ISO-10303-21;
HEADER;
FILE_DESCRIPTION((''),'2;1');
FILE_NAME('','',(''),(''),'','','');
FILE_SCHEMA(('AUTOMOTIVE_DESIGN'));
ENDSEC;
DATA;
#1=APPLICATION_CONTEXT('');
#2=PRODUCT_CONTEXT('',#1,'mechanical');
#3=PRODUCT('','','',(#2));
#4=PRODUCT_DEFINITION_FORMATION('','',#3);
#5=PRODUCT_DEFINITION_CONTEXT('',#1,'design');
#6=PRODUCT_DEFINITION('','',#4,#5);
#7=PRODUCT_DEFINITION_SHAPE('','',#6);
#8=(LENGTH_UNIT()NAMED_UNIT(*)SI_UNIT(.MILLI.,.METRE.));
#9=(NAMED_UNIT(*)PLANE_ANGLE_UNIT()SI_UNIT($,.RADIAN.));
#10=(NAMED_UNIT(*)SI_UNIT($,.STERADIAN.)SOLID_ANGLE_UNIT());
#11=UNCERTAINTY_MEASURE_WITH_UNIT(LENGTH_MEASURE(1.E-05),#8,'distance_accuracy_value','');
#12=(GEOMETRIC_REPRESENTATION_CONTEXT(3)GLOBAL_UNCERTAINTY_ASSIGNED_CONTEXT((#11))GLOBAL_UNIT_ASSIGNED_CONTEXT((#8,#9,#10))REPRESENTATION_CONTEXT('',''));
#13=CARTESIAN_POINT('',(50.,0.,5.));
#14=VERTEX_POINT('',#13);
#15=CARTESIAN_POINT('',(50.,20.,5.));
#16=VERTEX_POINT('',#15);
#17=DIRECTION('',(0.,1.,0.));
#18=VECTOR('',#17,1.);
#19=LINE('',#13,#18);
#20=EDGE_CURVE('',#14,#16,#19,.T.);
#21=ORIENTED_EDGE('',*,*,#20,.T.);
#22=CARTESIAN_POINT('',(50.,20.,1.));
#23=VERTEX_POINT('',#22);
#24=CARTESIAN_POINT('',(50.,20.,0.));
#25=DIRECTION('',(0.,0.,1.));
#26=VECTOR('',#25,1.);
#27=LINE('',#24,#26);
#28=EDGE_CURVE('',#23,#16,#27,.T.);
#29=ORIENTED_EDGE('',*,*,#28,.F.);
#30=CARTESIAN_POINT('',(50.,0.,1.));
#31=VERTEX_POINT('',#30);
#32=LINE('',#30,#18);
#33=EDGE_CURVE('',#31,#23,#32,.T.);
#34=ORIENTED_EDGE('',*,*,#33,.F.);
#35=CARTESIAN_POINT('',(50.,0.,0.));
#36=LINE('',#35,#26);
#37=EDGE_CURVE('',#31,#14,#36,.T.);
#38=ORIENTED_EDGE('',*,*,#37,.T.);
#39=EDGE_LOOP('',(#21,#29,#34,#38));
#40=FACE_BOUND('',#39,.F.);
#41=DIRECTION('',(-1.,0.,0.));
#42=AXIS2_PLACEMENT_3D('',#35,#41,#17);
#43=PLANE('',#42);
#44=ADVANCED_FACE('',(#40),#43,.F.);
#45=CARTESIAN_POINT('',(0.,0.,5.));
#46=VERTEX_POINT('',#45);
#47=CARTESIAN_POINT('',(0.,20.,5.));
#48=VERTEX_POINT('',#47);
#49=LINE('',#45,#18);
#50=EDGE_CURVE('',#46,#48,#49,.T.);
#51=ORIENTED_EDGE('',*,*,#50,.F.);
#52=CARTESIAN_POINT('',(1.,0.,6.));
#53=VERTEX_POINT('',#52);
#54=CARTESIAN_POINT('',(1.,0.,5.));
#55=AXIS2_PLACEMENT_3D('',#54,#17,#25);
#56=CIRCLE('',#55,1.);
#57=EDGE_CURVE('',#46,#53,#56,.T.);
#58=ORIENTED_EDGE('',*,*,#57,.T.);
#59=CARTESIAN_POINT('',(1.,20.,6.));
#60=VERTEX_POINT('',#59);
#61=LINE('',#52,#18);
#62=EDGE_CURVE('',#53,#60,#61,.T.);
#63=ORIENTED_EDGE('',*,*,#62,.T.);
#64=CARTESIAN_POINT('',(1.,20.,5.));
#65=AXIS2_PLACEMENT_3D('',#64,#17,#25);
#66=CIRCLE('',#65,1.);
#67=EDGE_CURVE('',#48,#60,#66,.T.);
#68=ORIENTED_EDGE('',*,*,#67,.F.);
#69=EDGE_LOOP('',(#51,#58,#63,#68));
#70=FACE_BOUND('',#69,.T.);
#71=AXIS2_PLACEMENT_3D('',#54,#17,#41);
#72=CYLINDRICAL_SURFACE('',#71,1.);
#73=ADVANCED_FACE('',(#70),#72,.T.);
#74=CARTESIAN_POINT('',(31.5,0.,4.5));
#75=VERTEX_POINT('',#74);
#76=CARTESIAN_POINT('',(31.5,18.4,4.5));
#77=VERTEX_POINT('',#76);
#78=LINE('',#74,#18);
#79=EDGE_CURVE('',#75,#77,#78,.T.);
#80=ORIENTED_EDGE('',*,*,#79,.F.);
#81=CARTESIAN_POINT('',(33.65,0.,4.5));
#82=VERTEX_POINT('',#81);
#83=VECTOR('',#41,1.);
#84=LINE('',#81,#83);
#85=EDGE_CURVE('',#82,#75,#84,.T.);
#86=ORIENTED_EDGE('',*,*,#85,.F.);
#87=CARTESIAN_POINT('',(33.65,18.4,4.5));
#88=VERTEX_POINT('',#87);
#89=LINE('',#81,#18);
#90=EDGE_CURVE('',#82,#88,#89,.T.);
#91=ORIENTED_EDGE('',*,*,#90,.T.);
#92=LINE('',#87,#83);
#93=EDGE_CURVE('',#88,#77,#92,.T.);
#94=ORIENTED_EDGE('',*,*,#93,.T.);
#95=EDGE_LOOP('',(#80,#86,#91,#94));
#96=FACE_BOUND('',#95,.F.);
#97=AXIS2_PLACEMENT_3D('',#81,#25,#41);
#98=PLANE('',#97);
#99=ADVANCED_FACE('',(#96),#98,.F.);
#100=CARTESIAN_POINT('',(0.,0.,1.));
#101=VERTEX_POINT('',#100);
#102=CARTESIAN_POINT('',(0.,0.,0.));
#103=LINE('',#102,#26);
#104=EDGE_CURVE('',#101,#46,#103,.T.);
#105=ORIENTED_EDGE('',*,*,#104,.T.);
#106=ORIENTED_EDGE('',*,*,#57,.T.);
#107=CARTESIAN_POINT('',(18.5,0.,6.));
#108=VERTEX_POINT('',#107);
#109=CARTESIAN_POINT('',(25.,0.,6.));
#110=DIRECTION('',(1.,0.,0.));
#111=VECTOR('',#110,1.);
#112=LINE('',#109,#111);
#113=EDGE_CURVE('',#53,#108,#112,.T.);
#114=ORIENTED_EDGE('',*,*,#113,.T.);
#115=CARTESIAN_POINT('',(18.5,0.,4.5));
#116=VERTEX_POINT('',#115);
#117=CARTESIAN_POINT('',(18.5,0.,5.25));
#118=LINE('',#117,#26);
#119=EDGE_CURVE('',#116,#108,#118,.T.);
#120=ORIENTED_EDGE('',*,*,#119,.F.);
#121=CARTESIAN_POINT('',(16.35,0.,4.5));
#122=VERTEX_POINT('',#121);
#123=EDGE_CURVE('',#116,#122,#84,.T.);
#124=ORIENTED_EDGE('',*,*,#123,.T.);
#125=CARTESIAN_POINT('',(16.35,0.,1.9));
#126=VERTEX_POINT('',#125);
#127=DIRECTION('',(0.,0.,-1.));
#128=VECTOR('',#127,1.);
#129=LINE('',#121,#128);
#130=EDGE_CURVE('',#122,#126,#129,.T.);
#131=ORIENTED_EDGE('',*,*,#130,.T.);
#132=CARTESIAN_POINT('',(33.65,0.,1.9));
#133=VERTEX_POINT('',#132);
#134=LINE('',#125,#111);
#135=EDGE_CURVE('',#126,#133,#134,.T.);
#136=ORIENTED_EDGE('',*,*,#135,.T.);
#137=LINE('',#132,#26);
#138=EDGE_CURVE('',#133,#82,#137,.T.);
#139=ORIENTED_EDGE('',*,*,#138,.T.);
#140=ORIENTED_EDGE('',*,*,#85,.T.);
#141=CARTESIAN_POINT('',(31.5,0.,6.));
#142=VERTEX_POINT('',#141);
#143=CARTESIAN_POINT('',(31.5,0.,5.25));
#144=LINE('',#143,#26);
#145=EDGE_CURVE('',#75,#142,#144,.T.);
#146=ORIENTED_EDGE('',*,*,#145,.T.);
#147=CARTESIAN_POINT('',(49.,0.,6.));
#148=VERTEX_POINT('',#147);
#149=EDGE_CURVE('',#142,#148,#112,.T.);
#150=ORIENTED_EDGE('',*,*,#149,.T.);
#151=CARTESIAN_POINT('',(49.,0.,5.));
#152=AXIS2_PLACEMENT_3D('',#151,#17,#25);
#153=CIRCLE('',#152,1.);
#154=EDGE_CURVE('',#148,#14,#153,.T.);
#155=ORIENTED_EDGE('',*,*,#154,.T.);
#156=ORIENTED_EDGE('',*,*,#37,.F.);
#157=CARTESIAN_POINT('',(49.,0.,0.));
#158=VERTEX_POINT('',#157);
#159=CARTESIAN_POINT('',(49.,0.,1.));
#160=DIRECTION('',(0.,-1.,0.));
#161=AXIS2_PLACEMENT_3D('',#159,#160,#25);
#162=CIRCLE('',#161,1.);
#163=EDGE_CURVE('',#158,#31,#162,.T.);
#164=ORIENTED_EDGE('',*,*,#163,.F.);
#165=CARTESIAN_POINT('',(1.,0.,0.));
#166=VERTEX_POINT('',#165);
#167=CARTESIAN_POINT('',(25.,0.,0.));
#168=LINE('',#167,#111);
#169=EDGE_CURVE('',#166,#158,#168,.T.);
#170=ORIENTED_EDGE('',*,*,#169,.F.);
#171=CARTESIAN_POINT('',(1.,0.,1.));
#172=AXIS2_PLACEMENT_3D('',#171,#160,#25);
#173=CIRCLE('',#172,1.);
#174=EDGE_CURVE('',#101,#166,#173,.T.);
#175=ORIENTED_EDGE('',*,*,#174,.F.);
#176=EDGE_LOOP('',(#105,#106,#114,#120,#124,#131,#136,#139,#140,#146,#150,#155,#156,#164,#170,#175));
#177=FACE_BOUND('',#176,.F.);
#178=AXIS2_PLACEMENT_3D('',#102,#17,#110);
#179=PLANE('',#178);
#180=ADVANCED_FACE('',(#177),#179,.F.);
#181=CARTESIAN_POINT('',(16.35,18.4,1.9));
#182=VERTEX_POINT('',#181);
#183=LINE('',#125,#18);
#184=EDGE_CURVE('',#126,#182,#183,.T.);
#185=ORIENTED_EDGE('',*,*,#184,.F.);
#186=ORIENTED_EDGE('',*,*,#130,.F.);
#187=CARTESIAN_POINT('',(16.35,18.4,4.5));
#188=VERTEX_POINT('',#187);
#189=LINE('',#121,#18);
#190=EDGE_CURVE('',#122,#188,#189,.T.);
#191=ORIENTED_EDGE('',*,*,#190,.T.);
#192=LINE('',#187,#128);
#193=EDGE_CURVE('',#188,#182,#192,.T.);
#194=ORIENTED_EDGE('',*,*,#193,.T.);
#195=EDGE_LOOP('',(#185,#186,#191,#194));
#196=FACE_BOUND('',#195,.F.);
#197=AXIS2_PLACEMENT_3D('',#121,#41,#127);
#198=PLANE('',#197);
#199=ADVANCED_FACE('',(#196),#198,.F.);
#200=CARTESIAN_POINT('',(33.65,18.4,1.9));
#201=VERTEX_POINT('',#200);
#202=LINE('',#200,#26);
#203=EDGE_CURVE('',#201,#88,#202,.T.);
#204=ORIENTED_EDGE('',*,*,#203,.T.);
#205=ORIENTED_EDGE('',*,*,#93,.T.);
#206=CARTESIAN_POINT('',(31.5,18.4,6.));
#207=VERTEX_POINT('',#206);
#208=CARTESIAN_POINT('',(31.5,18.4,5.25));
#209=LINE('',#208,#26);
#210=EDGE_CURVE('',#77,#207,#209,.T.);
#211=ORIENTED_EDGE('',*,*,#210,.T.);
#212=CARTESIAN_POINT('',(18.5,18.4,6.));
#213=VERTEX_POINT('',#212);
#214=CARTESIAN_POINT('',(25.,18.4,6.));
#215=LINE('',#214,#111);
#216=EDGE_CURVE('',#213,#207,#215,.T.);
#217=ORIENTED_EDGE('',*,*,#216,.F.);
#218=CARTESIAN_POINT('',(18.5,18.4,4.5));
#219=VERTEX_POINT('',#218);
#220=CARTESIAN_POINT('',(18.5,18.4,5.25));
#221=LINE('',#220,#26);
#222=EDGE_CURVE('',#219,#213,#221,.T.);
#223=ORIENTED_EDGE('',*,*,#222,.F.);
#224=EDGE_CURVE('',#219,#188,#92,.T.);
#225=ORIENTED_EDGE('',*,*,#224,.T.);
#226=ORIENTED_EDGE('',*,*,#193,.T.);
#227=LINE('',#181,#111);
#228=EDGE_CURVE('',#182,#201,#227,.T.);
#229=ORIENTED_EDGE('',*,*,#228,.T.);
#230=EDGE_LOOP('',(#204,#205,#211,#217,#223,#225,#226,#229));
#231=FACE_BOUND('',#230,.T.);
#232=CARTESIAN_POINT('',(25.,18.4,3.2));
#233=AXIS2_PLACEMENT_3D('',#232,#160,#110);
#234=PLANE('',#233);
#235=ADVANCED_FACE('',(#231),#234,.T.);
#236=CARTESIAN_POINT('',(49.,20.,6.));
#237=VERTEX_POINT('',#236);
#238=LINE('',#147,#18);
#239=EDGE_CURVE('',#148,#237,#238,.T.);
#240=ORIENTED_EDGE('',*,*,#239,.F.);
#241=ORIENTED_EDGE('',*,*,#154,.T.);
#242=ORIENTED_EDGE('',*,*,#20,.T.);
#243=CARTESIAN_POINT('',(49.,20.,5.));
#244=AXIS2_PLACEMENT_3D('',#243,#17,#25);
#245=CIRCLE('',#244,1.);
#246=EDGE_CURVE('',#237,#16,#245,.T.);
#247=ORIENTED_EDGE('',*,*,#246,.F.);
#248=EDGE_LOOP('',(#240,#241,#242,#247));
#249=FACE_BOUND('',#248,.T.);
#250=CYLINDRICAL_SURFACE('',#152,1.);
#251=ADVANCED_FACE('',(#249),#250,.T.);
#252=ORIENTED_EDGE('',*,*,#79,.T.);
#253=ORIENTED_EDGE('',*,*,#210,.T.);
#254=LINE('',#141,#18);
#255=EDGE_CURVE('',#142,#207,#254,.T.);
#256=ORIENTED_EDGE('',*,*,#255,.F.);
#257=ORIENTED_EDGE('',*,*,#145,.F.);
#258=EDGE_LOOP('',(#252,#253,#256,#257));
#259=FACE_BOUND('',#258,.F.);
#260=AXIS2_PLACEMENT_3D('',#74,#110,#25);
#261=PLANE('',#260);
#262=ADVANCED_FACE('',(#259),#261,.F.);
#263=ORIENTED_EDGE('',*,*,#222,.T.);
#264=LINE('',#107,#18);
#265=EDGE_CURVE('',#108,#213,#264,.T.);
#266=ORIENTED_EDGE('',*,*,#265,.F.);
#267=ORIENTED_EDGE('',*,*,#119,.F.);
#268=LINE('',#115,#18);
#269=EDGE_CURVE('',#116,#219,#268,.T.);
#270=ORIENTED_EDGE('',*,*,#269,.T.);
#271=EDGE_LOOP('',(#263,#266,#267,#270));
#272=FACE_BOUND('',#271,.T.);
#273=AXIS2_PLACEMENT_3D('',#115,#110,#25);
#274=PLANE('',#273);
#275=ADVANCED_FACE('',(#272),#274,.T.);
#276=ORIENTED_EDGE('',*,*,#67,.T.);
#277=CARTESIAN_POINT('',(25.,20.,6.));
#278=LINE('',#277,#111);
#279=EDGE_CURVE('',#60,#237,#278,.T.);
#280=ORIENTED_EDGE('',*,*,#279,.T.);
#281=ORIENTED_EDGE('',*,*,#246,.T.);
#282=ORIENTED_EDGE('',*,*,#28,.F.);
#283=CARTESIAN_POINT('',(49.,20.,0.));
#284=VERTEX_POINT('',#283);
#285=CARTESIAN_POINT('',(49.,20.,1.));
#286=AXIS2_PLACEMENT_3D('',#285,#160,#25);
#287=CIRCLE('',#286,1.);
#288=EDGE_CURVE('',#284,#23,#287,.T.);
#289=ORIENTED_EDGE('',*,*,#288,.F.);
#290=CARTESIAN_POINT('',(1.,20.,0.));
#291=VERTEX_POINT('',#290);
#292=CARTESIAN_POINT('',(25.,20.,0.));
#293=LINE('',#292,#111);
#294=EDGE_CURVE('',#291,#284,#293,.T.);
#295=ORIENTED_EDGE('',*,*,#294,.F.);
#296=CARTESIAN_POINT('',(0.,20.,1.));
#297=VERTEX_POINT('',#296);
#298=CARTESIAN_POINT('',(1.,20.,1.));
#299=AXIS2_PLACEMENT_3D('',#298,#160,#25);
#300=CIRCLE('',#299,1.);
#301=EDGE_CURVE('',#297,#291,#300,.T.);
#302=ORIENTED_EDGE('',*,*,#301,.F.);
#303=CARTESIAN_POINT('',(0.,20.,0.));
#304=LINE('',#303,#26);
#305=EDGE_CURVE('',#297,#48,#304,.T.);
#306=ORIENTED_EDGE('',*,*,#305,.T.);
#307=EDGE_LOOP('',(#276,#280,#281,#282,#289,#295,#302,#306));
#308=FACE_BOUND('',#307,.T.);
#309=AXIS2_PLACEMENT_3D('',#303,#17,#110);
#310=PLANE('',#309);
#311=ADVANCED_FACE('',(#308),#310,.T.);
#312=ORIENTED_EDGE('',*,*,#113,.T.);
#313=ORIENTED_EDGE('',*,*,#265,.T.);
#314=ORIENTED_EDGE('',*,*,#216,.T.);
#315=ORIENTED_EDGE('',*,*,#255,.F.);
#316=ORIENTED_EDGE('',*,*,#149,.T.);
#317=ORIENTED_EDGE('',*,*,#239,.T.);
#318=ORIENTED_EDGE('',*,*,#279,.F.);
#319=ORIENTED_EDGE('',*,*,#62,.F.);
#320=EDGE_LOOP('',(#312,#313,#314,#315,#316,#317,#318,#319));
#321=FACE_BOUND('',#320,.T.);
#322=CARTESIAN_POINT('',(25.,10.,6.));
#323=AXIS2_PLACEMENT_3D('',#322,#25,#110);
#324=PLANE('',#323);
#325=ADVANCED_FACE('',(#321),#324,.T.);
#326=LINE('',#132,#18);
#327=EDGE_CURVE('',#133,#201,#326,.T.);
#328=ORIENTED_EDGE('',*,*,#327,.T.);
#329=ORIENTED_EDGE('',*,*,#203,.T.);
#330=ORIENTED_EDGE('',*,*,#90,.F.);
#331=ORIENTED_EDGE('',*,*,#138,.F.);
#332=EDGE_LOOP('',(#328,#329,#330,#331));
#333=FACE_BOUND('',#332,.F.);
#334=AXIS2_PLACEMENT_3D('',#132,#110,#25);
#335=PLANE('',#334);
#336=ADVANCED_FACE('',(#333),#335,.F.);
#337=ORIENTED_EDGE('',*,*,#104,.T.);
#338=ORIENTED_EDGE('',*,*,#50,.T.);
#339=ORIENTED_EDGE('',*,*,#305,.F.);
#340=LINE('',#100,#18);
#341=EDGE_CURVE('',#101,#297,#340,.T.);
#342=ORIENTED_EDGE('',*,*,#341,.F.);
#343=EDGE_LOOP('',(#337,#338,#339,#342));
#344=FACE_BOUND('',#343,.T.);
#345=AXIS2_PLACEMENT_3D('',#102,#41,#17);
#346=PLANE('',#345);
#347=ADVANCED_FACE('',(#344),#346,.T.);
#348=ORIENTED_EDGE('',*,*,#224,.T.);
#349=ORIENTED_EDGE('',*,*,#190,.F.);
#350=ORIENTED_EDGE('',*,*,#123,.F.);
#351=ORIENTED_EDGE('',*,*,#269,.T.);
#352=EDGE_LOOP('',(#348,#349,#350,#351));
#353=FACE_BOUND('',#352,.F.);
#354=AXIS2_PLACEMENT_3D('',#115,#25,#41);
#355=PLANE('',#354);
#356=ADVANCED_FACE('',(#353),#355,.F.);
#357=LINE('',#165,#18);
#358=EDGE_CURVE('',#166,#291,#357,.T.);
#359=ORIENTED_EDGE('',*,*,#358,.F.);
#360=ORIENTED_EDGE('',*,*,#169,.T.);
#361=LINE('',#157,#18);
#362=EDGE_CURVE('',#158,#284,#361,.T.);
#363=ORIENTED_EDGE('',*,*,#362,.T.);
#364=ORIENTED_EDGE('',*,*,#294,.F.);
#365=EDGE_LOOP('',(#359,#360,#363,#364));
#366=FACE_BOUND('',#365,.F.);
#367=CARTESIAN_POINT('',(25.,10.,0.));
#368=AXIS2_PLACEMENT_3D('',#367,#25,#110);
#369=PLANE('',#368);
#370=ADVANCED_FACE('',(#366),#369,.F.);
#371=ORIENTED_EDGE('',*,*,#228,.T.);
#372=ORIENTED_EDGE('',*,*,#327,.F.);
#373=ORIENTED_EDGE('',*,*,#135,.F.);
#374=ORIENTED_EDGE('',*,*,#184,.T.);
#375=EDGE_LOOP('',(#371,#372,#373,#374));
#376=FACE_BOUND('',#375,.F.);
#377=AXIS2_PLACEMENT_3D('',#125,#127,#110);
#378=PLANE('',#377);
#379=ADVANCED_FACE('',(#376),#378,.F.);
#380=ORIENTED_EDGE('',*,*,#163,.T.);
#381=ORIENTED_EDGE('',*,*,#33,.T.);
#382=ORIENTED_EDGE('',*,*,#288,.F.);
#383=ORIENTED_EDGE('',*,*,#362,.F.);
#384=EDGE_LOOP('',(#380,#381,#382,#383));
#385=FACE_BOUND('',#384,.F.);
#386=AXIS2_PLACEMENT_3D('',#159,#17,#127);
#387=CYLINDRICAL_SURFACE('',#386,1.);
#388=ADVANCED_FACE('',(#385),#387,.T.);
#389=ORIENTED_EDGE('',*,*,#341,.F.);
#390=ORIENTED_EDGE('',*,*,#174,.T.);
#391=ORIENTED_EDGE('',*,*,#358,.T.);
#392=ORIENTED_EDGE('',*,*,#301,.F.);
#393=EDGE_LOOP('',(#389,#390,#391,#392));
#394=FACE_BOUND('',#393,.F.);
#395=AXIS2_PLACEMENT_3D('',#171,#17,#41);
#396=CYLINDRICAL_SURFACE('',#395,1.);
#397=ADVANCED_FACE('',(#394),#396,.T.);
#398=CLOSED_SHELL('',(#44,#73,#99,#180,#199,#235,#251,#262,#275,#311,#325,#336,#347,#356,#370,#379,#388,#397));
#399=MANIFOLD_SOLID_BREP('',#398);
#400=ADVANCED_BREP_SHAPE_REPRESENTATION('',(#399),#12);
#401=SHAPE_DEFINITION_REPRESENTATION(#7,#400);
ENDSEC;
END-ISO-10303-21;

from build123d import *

# Parameters (mm, degrees)
F0_W     = 50
F0_H     = 20
F1_DEPTH = 6
F2_W     = 13
F2_H     = 1.5
F3_DEPTH = 18.4
F4_R     = 1


with BuildPart() as f1:
    # F0 (on Top) → F1 (new body)
    with BuildSketch(Plane.XY):
        with Locations((25, 10)):
            Rectangle(F0_W, F0_H)
    extrude(amount=F1_DEPTH)

    # F2 (on face) → F3 (cut, through all)
    with BuildSketch(Plane.XZ):
        Polygon((18.5, 4.5), (16.35, 4.5), (16.35, 1.9), (33.65, 1.9), (33.65, 4.5), (31.5, 4.5), align=None)
        with Locations((25, 5.25)):
            Rectangle(F2_W, F2_H)
    extrude(amount=-F3_DEPTH, mode=Mode.SUBTRACT)

    # F4
    f4_edges = [f1.edges().sort_by_distance(p)[0] for p in [
        (50, 10, 6),
        (50, 10, 0),
        (0, 10, 0),
        (0, 10, 6),
    ]]
    fillet(f4_edges, radius=F4_R)


solid = f1.part
